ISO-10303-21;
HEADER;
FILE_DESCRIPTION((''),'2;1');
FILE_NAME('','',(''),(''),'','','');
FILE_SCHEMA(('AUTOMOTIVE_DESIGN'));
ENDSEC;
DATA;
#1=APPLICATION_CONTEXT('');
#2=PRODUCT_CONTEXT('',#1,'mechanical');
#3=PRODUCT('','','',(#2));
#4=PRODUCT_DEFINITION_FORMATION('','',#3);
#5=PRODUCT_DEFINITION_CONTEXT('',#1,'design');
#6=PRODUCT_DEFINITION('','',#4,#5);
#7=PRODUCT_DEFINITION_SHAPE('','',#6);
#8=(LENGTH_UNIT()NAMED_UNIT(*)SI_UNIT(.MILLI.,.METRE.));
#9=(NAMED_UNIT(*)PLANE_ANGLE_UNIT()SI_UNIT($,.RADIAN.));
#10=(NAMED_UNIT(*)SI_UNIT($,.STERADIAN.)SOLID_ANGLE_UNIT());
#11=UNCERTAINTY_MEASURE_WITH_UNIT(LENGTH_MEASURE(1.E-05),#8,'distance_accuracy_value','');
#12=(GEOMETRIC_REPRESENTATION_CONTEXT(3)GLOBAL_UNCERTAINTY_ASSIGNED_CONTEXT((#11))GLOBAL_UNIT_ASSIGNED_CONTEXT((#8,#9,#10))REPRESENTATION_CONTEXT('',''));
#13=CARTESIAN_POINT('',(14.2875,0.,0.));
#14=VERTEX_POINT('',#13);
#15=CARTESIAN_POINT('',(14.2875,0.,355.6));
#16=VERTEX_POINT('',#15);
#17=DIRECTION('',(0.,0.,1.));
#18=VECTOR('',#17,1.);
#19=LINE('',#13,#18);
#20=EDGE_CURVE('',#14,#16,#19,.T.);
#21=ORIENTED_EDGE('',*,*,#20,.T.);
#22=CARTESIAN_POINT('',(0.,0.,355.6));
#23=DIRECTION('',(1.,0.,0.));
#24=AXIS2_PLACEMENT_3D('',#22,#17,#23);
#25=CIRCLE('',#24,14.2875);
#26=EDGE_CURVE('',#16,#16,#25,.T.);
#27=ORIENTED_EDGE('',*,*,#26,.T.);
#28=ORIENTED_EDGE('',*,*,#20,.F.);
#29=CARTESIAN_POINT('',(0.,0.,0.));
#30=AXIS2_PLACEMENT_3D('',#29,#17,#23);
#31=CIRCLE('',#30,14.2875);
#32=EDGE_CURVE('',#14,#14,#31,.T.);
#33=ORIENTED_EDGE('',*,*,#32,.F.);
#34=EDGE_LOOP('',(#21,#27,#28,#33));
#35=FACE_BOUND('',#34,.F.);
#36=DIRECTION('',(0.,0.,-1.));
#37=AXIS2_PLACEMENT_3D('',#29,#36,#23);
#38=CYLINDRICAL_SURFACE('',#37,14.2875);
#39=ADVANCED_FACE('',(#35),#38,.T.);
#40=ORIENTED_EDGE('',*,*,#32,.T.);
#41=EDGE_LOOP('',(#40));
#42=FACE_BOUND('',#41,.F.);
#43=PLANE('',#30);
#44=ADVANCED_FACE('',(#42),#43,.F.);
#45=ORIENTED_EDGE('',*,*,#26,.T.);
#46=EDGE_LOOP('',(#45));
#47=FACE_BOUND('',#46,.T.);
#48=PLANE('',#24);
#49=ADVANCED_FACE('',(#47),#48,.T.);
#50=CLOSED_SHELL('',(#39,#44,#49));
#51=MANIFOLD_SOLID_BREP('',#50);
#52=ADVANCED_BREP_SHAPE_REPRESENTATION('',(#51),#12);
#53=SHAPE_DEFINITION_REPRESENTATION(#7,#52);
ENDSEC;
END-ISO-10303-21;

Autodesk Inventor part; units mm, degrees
ref_plane "YZ Plane" through (0, 0, 0) normal (1, 0, 0) x (0, 1, 0)
ref_plane "XZ Plane" through (0, 0, 0) normal (0, 1, 0) x (-1, 0, 0)
ref_plane "XY Plane" through (0, 0, 0) normal (0, 0, 1) x (1, 0, 0)
sketch "Sketch1" plane through (0, 0, 0) normal (0, 0, 1) x (1, 0, 0)
  circle A0 centre (0, 0) radius 14.2875
  dimension "d0" = 28.575
extrude "Extrusion1" add sketch "Sketch1" along normal blind 355.6
properties part number "Speenr"
